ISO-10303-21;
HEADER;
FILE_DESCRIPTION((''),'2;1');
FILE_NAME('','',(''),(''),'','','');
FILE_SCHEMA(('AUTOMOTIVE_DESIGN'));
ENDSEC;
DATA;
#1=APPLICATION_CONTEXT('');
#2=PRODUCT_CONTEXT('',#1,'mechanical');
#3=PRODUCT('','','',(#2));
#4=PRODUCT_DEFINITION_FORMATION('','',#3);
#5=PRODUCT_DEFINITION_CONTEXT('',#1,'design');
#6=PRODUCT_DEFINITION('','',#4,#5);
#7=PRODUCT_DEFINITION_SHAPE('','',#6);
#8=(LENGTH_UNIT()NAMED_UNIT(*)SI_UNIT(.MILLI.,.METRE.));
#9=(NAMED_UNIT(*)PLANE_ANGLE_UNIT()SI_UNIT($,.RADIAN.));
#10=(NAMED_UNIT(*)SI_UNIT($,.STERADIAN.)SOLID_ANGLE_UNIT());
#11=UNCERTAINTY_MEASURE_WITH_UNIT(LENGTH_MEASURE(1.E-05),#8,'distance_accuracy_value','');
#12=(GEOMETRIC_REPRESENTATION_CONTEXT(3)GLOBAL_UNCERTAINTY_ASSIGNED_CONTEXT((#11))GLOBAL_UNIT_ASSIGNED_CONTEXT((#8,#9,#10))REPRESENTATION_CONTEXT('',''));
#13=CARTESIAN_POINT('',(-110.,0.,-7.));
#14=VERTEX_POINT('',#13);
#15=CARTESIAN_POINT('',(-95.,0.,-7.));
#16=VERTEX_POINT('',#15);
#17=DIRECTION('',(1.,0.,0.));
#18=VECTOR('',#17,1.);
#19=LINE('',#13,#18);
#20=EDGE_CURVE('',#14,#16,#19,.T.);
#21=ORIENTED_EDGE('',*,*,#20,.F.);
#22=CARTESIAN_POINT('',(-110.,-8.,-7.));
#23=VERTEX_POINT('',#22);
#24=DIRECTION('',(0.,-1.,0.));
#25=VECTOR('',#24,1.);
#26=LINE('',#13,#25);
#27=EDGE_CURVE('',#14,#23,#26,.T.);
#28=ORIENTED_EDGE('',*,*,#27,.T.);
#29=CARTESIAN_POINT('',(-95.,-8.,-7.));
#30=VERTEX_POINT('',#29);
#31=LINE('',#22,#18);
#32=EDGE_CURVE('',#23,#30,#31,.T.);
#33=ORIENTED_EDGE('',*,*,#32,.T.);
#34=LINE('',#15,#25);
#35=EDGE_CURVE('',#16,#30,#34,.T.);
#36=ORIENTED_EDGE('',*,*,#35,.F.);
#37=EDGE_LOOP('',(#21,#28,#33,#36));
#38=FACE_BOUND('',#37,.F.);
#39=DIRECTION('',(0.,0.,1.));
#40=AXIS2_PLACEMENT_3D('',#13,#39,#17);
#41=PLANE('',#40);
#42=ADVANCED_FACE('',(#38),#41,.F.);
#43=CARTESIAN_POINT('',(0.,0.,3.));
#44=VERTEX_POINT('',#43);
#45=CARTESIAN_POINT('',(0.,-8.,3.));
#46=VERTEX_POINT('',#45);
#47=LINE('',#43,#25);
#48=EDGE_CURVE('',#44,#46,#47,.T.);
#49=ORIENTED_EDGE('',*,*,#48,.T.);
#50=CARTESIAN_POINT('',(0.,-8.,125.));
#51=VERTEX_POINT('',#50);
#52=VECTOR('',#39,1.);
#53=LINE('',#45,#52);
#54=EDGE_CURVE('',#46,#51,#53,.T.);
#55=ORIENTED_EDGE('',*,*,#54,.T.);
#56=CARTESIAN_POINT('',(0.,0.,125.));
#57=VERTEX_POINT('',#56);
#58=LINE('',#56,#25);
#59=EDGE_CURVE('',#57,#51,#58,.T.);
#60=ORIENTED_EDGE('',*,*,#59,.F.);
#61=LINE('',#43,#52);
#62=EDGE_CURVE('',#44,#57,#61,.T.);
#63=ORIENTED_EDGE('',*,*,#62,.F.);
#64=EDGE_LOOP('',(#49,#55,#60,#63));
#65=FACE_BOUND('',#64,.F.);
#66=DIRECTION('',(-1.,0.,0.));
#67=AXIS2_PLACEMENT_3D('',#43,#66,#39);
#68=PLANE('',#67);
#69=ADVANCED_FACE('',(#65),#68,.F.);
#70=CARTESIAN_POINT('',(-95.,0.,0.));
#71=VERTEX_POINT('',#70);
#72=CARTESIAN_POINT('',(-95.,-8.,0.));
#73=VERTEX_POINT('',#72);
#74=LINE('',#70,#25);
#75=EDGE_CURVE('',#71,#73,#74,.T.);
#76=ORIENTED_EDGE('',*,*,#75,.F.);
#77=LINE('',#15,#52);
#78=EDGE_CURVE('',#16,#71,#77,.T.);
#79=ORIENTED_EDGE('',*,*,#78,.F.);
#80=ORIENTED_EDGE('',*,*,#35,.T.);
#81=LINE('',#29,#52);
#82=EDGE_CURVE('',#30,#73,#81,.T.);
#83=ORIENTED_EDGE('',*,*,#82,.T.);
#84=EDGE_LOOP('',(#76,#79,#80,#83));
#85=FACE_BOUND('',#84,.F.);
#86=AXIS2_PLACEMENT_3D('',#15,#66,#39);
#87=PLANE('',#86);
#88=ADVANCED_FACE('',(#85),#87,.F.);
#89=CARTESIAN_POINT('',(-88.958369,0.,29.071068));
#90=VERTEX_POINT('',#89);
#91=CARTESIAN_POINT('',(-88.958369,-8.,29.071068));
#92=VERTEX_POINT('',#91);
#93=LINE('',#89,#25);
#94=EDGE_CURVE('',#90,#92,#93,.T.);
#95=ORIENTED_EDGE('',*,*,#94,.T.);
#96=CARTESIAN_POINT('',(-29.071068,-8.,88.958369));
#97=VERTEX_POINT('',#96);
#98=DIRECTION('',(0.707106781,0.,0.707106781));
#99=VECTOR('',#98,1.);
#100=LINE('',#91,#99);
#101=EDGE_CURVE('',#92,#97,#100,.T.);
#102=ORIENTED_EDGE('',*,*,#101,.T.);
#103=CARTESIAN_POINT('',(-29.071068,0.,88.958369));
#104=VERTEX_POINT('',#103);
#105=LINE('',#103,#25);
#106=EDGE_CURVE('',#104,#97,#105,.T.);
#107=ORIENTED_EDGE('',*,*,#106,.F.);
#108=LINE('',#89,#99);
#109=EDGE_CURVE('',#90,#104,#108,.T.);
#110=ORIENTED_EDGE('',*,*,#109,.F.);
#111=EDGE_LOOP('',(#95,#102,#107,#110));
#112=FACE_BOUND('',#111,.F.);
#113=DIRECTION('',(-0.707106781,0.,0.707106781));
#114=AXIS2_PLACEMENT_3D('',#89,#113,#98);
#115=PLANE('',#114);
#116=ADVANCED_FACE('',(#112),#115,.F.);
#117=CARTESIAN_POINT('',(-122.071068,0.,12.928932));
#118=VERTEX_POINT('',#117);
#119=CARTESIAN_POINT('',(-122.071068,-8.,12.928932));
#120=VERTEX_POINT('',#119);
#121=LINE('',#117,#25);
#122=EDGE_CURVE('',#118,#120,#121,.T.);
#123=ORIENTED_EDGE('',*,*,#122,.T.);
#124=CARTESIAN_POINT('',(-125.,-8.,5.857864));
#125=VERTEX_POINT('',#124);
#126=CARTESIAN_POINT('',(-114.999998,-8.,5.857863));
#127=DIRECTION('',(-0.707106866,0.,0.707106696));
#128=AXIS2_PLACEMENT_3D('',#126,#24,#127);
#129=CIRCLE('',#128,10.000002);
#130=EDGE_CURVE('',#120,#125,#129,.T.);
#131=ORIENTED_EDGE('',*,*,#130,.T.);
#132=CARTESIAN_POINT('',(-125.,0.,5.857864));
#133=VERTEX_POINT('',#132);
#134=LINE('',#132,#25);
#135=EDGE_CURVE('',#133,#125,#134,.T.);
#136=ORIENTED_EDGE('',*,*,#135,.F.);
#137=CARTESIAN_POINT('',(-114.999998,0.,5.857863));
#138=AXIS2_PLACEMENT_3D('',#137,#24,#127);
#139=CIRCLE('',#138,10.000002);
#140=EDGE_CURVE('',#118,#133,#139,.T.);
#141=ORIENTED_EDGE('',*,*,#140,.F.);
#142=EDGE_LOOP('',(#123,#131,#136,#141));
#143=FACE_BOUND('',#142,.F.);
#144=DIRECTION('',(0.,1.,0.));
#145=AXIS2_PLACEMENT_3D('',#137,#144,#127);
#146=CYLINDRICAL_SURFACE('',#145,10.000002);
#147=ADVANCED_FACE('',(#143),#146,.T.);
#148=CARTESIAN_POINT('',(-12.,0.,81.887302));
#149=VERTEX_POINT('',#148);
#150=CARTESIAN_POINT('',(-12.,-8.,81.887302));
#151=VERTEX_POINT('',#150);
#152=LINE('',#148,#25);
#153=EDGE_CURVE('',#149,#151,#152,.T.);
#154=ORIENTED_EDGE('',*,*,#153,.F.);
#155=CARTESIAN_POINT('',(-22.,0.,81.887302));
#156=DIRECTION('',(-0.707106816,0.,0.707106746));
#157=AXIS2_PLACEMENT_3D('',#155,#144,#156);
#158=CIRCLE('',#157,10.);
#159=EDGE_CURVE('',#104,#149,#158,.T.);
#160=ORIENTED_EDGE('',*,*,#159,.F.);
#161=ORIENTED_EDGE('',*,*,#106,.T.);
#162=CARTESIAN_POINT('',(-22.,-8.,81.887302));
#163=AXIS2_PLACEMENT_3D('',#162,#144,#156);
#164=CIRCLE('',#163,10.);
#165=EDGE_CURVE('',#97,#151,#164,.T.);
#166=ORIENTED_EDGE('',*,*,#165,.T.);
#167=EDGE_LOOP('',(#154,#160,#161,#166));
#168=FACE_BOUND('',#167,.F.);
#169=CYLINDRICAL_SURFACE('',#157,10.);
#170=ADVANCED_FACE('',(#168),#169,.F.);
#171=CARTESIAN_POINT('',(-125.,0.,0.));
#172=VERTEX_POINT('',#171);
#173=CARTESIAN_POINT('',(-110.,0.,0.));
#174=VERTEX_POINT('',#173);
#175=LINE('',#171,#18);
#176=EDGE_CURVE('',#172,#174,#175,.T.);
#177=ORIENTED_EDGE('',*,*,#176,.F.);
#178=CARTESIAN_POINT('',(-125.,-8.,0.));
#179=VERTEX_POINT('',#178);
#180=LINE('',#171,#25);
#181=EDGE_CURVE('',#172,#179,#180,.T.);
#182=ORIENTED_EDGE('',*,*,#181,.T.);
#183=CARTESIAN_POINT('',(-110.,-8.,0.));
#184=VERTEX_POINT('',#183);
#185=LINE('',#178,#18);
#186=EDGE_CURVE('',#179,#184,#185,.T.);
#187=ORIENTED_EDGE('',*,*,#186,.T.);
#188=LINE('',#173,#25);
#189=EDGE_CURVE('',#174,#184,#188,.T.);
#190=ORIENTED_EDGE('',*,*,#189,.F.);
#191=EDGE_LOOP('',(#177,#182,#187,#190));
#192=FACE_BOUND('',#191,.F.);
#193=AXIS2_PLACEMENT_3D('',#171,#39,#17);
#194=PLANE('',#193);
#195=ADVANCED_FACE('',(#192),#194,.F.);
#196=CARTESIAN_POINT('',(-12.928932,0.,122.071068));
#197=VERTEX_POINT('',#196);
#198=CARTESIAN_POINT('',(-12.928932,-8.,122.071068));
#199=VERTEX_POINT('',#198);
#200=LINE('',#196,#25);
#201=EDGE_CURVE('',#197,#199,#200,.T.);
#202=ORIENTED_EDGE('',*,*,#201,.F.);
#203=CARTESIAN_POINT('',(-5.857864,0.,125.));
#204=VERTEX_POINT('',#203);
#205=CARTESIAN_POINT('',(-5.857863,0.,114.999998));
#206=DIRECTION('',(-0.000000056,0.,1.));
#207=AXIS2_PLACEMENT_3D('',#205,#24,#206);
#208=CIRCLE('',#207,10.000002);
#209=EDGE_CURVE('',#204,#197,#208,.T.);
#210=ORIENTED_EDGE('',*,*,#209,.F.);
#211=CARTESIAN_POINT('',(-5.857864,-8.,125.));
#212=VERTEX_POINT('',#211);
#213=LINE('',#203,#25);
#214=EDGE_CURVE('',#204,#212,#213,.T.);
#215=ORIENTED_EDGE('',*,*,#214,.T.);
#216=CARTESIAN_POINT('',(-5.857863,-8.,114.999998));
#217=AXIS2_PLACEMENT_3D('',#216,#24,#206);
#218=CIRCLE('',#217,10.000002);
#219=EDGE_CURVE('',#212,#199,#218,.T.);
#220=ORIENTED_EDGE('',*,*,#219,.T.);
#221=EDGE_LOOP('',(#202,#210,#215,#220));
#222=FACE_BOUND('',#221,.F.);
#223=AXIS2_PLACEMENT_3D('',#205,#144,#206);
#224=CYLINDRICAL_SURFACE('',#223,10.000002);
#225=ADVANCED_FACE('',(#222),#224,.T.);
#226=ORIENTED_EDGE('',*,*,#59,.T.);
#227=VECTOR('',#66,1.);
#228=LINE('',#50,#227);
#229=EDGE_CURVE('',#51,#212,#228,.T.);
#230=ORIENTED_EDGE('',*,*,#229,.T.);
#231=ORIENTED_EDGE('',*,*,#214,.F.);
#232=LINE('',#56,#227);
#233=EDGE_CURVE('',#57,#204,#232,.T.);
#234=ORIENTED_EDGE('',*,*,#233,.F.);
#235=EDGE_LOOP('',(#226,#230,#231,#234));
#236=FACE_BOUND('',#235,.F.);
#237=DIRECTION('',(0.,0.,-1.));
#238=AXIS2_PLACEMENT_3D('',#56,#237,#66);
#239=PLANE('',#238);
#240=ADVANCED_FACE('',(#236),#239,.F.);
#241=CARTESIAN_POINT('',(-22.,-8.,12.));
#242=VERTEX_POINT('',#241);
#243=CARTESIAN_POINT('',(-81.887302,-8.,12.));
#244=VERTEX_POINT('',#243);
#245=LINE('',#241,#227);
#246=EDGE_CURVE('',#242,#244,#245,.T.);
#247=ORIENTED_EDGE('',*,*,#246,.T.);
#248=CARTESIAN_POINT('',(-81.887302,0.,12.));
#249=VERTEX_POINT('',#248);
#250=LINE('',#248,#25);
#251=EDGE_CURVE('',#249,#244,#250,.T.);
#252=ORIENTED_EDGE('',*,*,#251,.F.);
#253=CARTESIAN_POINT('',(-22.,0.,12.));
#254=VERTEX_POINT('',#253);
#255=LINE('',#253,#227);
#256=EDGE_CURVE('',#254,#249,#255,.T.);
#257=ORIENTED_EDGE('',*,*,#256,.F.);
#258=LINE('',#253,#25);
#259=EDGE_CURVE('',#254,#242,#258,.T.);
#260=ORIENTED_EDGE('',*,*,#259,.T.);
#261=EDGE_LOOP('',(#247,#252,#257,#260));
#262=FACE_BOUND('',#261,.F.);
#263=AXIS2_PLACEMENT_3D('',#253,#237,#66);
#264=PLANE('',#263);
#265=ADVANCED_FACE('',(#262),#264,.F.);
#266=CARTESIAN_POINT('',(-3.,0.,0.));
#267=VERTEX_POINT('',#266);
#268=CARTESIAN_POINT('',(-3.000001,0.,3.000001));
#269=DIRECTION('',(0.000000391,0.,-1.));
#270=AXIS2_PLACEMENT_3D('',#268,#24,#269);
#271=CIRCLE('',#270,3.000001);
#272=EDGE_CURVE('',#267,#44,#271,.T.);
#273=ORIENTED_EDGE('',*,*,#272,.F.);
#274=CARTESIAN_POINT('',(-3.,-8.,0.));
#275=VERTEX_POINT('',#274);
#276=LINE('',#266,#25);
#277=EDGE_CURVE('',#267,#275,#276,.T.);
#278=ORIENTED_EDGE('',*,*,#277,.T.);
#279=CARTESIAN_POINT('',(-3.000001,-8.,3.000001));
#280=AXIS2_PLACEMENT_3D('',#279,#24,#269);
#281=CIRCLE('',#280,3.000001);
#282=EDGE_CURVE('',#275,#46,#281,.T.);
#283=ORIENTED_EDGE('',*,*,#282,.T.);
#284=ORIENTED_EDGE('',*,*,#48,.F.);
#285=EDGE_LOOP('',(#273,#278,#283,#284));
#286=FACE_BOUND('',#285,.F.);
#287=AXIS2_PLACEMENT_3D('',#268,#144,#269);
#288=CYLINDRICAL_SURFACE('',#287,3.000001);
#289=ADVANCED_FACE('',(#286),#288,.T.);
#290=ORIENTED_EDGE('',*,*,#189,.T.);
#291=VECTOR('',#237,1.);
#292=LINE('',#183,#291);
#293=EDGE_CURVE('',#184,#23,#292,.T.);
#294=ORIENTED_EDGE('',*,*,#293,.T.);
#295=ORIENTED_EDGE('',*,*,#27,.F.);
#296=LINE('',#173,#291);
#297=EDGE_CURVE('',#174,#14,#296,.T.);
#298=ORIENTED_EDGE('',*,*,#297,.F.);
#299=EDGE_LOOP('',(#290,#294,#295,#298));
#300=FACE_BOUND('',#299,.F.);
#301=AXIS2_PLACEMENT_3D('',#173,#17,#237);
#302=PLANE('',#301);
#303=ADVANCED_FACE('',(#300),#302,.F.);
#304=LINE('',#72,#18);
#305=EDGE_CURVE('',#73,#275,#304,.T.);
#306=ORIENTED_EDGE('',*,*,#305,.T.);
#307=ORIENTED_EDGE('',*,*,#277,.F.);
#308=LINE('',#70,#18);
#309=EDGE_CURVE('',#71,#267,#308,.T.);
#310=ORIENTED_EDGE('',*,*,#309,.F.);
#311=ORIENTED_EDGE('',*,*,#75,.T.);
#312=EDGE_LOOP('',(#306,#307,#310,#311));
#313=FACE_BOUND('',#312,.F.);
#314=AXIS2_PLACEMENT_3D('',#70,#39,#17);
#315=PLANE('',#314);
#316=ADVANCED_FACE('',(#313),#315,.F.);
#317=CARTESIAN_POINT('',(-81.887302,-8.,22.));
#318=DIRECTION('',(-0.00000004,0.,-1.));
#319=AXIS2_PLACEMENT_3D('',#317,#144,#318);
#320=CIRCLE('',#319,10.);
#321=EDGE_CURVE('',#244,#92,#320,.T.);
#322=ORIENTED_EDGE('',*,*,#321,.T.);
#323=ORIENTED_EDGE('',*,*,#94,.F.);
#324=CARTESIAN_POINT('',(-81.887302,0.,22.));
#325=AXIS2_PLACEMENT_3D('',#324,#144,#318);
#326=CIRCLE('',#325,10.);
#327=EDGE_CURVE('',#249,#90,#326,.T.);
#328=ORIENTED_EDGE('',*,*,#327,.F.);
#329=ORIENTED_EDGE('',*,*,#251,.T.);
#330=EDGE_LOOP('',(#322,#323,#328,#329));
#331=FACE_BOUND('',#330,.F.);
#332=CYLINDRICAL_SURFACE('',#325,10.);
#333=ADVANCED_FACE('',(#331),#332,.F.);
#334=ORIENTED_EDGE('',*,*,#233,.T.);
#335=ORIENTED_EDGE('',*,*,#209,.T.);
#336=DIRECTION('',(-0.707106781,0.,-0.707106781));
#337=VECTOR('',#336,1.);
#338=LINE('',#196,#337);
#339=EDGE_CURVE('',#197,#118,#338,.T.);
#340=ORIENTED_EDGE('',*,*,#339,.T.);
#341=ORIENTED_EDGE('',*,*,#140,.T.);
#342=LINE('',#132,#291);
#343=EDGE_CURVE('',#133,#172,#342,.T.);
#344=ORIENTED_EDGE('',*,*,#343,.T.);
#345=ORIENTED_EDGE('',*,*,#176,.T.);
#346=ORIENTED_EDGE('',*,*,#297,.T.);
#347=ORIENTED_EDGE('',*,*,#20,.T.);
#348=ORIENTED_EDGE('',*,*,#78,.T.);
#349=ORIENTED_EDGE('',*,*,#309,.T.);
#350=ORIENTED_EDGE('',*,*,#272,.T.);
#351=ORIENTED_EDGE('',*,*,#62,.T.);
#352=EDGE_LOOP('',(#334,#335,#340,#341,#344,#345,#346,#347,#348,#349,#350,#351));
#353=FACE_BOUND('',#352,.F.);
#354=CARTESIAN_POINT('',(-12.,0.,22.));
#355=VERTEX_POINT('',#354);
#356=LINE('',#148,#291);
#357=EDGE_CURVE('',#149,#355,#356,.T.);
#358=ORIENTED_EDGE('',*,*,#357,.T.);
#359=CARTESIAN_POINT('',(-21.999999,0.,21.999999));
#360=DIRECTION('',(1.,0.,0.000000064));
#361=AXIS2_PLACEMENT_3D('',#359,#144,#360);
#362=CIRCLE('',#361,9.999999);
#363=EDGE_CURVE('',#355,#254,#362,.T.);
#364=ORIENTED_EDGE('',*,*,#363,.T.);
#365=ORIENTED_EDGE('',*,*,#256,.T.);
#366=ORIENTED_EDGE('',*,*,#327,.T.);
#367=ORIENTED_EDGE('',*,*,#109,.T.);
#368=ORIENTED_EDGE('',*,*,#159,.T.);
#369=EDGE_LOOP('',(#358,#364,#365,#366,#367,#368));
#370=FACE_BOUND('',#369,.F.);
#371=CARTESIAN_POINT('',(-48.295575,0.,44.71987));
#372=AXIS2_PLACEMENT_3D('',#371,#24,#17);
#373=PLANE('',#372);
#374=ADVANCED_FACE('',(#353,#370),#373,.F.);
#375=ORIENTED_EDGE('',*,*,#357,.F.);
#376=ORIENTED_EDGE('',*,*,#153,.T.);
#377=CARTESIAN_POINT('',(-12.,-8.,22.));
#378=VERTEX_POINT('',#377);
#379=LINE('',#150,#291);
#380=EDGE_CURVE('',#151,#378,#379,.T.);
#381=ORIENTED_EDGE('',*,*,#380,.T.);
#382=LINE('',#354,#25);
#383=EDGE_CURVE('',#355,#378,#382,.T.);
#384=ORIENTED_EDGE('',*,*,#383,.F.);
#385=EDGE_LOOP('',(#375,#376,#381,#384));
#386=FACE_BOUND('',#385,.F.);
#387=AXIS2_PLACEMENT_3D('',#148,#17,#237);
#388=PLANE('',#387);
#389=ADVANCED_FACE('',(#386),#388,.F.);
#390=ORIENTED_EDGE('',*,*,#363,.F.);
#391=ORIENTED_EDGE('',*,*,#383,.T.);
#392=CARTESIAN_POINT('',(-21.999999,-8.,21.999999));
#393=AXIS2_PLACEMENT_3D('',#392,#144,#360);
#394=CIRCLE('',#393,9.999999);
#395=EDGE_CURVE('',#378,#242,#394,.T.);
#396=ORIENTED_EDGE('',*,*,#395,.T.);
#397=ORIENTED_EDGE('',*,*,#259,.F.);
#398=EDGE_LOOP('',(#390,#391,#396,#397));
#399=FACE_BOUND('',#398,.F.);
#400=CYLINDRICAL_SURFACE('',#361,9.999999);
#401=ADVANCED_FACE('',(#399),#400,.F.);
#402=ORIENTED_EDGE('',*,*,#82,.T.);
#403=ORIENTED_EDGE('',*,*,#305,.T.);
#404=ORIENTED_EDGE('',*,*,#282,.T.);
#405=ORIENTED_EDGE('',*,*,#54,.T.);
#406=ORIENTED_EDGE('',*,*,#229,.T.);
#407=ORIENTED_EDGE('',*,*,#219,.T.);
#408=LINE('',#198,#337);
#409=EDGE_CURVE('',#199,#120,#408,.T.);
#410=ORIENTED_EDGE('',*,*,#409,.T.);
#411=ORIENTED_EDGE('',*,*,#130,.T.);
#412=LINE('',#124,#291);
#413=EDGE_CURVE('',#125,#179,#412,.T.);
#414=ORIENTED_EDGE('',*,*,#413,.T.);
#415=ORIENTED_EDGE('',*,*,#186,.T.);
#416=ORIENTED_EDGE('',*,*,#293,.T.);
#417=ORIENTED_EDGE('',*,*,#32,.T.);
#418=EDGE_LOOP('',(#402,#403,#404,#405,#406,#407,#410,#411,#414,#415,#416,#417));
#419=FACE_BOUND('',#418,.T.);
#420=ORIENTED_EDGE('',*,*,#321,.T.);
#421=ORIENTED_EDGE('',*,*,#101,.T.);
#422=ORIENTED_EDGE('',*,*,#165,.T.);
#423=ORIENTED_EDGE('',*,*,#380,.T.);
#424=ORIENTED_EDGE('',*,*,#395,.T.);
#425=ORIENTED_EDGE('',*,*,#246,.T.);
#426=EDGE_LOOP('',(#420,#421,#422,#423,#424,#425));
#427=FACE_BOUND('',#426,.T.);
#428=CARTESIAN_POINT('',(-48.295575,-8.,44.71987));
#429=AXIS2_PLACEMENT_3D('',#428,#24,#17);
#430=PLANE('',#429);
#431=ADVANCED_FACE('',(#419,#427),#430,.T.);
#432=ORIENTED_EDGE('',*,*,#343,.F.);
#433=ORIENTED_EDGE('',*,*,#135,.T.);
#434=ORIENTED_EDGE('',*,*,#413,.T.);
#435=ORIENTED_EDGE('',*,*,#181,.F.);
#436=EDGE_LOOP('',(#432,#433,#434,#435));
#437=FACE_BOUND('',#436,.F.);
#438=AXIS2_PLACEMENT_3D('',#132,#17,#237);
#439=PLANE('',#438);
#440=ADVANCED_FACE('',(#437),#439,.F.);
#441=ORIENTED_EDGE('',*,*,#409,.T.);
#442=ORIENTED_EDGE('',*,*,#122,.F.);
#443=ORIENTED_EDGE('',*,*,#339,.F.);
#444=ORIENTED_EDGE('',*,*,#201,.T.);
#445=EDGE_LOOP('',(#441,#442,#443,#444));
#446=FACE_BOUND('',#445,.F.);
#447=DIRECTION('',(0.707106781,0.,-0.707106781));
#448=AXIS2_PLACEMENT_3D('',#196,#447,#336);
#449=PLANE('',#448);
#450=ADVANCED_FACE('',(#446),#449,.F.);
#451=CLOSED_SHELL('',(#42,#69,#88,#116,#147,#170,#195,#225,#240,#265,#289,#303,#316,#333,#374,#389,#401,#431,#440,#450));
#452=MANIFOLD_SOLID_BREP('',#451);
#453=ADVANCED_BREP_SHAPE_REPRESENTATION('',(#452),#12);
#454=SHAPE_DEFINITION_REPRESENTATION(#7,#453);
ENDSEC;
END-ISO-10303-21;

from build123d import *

# Parameters (mm, degrees)
F1_DEPTH = 8


with BuildPart() as f1:
    # F0 (on Front) → F1 (new body)
    with BuildSketch(Plane.XZ):
        with BuildLine():
            ThreePointArc((-3, 0), (-0.87868, 0.87868), (0, 3))
            Line((0, 3), (0, 125))
            Line((0, 125), (-5.857864, 125))
            ThreePointArc((-5.857864, 125), (-9.684699, 124.238795), (-12.928932, 122.071068))
            Line((-12.928932, 122.071068), (-122.071068, 12.928932))
            ThreePointArc((-122.071068, 12.928932), (-124.238795, 9.684699), (-125, 5.857864))
            Line((-125, 5.857864), (-125, 0))
            Line((-125, 0), (-110, 0))
            Line((-110, 0), (-110, -7))
            Line((-110, -7), (-95, -7))
            Line((-95, -7), (-95, 0))
            Line((-95, 0), (-3, 0))
        make_face()
        with BuildLine():
            ThreePointArc((-29.071068, 88.958369), (-18.173166, 91.126097), (-12, 81.887302))
            Line((-12, 81.887302), (-12, 22))
            ThreePointArc((-12, 22), (-14.928932, 14.928932), (-22, 12))
            Line((-22, 12), (-81.887302, 12))
            ThreePointArc((-81.887302, 12), (-91.126097, 18.173166), (-88.958369, 29.071068))
            Line((-88.958369, 29.071068), (-29.071068, 88.958369))
        make_face(mode=Mode.SUBTRACT)
    extrude(amount=F1_DEPTH)


solid = f1.part
